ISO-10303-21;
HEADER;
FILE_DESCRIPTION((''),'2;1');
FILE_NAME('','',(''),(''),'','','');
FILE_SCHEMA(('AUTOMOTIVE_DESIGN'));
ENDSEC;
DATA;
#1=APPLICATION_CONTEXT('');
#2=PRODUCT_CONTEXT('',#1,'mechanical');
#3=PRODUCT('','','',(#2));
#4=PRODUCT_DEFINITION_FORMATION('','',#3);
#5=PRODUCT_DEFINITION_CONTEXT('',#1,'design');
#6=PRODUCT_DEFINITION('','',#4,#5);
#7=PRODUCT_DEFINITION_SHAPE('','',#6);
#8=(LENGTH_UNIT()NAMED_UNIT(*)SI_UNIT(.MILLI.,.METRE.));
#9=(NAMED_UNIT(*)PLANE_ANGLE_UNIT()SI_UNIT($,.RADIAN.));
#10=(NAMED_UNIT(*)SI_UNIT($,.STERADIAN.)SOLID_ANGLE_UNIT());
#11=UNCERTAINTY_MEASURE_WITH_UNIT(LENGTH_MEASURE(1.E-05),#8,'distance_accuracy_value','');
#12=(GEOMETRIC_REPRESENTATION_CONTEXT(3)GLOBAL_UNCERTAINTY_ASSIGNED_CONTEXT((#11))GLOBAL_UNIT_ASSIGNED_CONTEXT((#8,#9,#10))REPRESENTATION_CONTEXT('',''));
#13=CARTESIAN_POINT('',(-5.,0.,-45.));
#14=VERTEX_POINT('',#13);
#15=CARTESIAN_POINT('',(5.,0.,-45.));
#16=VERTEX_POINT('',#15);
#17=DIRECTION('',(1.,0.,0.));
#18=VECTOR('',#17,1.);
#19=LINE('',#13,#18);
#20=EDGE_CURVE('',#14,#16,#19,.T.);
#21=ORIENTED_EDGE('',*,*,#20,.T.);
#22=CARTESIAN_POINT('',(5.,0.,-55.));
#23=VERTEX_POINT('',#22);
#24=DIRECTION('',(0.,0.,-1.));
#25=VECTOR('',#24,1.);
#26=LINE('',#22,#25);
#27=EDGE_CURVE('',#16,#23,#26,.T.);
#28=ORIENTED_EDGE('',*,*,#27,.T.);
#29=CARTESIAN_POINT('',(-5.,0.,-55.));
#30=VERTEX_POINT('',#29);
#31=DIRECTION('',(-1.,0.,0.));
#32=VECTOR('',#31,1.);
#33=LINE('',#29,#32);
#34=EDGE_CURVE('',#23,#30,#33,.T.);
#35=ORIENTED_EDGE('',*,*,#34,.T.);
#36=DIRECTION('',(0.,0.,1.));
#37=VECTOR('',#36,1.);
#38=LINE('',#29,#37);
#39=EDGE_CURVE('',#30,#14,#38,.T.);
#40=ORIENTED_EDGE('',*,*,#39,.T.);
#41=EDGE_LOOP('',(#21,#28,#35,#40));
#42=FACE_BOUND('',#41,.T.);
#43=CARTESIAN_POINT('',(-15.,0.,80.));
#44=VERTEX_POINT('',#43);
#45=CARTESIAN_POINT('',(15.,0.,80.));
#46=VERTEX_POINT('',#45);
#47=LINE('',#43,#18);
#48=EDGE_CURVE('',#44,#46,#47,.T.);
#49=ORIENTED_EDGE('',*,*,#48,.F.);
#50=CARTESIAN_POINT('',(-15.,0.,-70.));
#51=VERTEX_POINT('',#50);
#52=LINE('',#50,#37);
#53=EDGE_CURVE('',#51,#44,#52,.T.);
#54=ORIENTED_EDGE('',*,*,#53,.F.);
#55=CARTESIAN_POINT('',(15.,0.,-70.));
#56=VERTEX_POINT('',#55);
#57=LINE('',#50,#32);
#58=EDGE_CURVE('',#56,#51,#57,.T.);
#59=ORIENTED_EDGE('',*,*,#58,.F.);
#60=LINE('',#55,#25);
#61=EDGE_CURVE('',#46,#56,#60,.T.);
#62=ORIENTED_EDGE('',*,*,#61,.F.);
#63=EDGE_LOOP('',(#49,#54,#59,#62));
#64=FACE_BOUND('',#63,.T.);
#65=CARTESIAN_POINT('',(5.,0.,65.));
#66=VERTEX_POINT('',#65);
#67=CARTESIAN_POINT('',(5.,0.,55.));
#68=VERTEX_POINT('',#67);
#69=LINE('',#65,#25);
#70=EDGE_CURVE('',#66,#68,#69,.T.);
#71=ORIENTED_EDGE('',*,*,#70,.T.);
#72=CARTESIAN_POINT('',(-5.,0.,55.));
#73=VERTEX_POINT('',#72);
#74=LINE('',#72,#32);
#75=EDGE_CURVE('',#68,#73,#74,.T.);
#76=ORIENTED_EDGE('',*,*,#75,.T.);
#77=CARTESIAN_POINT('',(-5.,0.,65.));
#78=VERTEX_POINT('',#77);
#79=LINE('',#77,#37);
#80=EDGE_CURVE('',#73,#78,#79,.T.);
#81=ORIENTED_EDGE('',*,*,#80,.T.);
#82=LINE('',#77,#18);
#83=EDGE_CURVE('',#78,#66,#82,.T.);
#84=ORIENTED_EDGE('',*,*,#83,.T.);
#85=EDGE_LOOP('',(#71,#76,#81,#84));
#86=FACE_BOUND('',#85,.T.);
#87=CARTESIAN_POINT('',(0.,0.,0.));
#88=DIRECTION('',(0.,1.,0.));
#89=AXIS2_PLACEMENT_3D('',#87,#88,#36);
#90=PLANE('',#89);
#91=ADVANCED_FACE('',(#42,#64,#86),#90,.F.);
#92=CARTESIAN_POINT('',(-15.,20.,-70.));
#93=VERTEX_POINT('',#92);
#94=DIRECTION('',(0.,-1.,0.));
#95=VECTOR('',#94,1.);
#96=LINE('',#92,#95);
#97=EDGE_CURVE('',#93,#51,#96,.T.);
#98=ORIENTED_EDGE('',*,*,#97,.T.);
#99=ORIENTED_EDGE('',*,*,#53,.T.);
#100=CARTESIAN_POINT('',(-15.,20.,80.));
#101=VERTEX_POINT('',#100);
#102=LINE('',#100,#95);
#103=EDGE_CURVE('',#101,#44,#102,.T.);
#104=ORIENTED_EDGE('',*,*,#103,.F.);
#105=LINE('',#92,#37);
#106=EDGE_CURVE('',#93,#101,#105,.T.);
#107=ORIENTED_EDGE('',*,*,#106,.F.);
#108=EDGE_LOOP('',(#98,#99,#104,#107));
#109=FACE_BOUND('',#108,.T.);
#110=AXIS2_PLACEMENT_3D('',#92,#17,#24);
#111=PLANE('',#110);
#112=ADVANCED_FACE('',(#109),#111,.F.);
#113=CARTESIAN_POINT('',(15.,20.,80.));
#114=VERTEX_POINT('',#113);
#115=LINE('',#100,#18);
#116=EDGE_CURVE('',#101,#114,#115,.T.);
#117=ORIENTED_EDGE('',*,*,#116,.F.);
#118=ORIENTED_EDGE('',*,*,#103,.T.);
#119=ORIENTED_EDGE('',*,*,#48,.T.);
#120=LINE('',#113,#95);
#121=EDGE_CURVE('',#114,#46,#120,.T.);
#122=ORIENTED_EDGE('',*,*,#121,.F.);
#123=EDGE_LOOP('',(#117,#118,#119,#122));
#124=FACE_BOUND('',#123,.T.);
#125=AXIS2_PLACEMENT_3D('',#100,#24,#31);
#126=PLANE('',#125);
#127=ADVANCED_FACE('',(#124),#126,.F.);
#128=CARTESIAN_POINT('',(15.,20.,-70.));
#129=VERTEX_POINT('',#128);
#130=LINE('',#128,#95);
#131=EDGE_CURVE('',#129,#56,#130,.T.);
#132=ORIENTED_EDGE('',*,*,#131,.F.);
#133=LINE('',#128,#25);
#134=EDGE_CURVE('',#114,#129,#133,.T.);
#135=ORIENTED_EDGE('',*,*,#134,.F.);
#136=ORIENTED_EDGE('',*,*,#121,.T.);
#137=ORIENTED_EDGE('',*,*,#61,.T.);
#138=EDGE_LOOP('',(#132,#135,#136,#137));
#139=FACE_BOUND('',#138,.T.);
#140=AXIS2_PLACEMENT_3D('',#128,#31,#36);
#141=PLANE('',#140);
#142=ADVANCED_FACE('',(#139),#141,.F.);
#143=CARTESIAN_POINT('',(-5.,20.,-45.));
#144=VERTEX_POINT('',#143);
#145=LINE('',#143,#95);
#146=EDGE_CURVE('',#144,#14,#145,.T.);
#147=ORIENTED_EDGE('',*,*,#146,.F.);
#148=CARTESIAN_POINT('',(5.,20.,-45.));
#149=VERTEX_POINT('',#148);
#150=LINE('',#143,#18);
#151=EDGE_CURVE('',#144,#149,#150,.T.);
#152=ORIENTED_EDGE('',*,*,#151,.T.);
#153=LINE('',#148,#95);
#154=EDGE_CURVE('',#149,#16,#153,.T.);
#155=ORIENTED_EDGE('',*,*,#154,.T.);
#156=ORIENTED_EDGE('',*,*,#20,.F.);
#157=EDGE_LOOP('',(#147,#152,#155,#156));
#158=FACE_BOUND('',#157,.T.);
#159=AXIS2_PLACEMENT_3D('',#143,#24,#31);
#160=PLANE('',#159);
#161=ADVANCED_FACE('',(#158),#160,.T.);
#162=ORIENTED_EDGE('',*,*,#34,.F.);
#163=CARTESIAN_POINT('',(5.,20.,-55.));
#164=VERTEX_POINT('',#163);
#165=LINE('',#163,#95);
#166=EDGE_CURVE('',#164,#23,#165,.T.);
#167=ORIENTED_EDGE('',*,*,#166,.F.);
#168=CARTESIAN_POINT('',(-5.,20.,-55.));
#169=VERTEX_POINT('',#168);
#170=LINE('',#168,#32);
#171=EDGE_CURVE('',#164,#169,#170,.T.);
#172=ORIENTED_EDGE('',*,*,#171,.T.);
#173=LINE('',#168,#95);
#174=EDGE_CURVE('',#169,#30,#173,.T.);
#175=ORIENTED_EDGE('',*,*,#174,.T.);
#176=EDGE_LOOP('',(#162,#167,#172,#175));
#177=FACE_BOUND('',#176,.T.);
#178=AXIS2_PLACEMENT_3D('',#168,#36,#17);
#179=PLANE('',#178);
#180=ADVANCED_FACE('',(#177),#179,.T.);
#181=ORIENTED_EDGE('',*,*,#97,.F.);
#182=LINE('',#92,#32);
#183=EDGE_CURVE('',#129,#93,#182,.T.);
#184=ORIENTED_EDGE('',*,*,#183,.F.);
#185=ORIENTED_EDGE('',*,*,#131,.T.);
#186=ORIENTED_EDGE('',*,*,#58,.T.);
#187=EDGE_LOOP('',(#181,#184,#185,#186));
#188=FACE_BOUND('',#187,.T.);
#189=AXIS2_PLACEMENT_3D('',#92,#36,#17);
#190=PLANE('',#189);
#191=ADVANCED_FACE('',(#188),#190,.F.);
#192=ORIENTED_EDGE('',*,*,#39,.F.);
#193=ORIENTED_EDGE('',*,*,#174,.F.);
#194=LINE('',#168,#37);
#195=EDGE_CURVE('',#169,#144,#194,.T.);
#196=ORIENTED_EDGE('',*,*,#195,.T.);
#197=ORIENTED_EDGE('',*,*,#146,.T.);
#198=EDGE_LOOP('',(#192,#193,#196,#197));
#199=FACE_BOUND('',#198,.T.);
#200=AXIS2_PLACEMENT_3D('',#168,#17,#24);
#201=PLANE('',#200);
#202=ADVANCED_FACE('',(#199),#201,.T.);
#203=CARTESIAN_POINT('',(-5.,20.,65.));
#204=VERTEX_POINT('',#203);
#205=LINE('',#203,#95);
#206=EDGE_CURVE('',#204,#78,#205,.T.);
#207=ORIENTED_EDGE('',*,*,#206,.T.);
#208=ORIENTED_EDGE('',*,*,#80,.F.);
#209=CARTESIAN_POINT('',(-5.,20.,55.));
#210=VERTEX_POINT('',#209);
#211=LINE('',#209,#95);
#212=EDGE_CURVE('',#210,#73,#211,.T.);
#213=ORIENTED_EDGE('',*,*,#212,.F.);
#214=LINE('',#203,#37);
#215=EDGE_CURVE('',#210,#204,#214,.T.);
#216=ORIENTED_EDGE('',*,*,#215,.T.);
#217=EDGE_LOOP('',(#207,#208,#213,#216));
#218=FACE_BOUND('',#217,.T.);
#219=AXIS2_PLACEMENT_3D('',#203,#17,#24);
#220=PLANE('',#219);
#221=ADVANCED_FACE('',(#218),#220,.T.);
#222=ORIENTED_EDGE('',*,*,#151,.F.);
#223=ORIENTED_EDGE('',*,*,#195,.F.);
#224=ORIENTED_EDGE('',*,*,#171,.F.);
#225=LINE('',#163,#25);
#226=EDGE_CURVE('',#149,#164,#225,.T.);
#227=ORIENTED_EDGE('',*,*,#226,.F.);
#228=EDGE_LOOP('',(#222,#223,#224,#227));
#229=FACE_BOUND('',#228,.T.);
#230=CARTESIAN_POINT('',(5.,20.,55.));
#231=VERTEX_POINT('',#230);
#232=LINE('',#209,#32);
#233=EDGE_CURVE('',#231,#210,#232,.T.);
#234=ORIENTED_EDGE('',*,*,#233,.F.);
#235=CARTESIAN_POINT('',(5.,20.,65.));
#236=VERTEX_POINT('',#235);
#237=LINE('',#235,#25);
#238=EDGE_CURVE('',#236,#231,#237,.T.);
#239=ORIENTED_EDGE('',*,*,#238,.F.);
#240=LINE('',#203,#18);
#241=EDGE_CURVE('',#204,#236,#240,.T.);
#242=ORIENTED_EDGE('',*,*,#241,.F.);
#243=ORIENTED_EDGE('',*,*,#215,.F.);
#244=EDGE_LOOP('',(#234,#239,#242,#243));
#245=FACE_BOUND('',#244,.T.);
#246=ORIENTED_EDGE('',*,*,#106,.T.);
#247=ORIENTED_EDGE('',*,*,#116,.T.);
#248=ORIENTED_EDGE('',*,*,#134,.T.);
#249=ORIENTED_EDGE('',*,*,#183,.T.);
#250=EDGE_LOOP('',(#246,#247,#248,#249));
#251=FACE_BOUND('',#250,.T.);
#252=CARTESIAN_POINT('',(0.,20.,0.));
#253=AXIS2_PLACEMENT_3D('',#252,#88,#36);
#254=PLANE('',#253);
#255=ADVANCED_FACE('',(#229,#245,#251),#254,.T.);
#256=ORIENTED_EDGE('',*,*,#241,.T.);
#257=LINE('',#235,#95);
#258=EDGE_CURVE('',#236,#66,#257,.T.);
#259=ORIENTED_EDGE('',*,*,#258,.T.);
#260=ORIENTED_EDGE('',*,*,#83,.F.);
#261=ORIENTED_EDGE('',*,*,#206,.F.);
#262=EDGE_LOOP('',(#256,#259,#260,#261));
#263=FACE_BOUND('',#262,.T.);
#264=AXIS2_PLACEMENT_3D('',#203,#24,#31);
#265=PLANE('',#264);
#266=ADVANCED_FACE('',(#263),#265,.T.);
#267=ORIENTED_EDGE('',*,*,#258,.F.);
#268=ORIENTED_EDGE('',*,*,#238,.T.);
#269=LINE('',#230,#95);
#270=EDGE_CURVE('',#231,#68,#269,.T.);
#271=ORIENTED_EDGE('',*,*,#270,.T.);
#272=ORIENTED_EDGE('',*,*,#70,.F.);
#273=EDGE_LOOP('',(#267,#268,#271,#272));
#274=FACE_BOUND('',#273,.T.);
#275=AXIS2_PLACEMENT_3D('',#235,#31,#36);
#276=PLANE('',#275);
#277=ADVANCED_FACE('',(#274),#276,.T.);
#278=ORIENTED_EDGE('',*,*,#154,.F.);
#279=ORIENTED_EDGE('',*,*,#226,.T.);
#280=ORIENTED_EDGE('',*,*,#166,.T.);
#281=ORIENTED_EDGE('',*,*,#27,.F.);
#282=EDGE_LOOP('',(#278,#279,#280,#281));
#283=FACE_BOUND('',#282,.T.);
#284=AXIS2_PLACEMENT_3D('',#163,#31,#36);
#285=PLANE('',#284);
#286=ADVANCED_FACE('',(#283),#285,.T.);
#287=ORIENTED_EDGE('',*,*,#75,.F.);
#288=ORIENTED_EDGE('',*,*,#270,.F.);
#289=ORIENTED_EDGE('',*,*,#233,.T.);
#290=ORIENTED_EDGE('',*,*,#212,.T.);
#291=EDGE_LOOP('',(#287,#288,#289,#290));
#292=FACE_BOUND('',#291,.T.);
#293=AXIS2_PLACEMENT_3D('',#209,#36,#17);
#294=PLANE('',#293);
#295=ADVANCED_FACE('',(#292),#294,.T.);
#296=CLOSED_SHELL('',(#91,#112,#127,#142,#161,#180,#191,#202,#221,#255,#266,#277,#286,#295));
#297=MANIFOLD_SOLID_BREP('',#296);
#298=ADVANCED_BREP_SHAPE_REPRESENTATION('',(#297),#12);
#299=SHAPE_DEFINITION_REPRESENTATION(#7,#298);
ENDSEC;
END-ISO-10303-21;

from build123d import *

# Parameters (mm, degrees)
SKETCH1_W           = 30
SKETCH1_H           = 150
SKETCH1_W_2         = 10
SKETCH1_H_2         = 10
BOSS_EXTRUDE1_DEPTH = 20


with BuildPart() as part:
    # Sketch1 → Boss-Extrude1 (new body)
    with BuildSketch(Plane(origin=(0, 0, 0), x_dir=(1, 0, 0), z_dir=(0, 1, 0))):
        with Locations((0, -5)):
            Rectangle(SKETCH1_W, SKETCH1_H)
        with Locations((0, 50)):
            Rectangle(SKETCH1_W_2, SKETCH1_H_2, mode=Mode.SUBTRACT)
        with Locations((0, -60)):
            Rectangle(SKETCH1_W_2, SKETCH1_H_2, mode=Mode.SUBTRACT)
    extrude(amount=BOSS_EXTRUDE1_DEPTH)


solid = part.part
